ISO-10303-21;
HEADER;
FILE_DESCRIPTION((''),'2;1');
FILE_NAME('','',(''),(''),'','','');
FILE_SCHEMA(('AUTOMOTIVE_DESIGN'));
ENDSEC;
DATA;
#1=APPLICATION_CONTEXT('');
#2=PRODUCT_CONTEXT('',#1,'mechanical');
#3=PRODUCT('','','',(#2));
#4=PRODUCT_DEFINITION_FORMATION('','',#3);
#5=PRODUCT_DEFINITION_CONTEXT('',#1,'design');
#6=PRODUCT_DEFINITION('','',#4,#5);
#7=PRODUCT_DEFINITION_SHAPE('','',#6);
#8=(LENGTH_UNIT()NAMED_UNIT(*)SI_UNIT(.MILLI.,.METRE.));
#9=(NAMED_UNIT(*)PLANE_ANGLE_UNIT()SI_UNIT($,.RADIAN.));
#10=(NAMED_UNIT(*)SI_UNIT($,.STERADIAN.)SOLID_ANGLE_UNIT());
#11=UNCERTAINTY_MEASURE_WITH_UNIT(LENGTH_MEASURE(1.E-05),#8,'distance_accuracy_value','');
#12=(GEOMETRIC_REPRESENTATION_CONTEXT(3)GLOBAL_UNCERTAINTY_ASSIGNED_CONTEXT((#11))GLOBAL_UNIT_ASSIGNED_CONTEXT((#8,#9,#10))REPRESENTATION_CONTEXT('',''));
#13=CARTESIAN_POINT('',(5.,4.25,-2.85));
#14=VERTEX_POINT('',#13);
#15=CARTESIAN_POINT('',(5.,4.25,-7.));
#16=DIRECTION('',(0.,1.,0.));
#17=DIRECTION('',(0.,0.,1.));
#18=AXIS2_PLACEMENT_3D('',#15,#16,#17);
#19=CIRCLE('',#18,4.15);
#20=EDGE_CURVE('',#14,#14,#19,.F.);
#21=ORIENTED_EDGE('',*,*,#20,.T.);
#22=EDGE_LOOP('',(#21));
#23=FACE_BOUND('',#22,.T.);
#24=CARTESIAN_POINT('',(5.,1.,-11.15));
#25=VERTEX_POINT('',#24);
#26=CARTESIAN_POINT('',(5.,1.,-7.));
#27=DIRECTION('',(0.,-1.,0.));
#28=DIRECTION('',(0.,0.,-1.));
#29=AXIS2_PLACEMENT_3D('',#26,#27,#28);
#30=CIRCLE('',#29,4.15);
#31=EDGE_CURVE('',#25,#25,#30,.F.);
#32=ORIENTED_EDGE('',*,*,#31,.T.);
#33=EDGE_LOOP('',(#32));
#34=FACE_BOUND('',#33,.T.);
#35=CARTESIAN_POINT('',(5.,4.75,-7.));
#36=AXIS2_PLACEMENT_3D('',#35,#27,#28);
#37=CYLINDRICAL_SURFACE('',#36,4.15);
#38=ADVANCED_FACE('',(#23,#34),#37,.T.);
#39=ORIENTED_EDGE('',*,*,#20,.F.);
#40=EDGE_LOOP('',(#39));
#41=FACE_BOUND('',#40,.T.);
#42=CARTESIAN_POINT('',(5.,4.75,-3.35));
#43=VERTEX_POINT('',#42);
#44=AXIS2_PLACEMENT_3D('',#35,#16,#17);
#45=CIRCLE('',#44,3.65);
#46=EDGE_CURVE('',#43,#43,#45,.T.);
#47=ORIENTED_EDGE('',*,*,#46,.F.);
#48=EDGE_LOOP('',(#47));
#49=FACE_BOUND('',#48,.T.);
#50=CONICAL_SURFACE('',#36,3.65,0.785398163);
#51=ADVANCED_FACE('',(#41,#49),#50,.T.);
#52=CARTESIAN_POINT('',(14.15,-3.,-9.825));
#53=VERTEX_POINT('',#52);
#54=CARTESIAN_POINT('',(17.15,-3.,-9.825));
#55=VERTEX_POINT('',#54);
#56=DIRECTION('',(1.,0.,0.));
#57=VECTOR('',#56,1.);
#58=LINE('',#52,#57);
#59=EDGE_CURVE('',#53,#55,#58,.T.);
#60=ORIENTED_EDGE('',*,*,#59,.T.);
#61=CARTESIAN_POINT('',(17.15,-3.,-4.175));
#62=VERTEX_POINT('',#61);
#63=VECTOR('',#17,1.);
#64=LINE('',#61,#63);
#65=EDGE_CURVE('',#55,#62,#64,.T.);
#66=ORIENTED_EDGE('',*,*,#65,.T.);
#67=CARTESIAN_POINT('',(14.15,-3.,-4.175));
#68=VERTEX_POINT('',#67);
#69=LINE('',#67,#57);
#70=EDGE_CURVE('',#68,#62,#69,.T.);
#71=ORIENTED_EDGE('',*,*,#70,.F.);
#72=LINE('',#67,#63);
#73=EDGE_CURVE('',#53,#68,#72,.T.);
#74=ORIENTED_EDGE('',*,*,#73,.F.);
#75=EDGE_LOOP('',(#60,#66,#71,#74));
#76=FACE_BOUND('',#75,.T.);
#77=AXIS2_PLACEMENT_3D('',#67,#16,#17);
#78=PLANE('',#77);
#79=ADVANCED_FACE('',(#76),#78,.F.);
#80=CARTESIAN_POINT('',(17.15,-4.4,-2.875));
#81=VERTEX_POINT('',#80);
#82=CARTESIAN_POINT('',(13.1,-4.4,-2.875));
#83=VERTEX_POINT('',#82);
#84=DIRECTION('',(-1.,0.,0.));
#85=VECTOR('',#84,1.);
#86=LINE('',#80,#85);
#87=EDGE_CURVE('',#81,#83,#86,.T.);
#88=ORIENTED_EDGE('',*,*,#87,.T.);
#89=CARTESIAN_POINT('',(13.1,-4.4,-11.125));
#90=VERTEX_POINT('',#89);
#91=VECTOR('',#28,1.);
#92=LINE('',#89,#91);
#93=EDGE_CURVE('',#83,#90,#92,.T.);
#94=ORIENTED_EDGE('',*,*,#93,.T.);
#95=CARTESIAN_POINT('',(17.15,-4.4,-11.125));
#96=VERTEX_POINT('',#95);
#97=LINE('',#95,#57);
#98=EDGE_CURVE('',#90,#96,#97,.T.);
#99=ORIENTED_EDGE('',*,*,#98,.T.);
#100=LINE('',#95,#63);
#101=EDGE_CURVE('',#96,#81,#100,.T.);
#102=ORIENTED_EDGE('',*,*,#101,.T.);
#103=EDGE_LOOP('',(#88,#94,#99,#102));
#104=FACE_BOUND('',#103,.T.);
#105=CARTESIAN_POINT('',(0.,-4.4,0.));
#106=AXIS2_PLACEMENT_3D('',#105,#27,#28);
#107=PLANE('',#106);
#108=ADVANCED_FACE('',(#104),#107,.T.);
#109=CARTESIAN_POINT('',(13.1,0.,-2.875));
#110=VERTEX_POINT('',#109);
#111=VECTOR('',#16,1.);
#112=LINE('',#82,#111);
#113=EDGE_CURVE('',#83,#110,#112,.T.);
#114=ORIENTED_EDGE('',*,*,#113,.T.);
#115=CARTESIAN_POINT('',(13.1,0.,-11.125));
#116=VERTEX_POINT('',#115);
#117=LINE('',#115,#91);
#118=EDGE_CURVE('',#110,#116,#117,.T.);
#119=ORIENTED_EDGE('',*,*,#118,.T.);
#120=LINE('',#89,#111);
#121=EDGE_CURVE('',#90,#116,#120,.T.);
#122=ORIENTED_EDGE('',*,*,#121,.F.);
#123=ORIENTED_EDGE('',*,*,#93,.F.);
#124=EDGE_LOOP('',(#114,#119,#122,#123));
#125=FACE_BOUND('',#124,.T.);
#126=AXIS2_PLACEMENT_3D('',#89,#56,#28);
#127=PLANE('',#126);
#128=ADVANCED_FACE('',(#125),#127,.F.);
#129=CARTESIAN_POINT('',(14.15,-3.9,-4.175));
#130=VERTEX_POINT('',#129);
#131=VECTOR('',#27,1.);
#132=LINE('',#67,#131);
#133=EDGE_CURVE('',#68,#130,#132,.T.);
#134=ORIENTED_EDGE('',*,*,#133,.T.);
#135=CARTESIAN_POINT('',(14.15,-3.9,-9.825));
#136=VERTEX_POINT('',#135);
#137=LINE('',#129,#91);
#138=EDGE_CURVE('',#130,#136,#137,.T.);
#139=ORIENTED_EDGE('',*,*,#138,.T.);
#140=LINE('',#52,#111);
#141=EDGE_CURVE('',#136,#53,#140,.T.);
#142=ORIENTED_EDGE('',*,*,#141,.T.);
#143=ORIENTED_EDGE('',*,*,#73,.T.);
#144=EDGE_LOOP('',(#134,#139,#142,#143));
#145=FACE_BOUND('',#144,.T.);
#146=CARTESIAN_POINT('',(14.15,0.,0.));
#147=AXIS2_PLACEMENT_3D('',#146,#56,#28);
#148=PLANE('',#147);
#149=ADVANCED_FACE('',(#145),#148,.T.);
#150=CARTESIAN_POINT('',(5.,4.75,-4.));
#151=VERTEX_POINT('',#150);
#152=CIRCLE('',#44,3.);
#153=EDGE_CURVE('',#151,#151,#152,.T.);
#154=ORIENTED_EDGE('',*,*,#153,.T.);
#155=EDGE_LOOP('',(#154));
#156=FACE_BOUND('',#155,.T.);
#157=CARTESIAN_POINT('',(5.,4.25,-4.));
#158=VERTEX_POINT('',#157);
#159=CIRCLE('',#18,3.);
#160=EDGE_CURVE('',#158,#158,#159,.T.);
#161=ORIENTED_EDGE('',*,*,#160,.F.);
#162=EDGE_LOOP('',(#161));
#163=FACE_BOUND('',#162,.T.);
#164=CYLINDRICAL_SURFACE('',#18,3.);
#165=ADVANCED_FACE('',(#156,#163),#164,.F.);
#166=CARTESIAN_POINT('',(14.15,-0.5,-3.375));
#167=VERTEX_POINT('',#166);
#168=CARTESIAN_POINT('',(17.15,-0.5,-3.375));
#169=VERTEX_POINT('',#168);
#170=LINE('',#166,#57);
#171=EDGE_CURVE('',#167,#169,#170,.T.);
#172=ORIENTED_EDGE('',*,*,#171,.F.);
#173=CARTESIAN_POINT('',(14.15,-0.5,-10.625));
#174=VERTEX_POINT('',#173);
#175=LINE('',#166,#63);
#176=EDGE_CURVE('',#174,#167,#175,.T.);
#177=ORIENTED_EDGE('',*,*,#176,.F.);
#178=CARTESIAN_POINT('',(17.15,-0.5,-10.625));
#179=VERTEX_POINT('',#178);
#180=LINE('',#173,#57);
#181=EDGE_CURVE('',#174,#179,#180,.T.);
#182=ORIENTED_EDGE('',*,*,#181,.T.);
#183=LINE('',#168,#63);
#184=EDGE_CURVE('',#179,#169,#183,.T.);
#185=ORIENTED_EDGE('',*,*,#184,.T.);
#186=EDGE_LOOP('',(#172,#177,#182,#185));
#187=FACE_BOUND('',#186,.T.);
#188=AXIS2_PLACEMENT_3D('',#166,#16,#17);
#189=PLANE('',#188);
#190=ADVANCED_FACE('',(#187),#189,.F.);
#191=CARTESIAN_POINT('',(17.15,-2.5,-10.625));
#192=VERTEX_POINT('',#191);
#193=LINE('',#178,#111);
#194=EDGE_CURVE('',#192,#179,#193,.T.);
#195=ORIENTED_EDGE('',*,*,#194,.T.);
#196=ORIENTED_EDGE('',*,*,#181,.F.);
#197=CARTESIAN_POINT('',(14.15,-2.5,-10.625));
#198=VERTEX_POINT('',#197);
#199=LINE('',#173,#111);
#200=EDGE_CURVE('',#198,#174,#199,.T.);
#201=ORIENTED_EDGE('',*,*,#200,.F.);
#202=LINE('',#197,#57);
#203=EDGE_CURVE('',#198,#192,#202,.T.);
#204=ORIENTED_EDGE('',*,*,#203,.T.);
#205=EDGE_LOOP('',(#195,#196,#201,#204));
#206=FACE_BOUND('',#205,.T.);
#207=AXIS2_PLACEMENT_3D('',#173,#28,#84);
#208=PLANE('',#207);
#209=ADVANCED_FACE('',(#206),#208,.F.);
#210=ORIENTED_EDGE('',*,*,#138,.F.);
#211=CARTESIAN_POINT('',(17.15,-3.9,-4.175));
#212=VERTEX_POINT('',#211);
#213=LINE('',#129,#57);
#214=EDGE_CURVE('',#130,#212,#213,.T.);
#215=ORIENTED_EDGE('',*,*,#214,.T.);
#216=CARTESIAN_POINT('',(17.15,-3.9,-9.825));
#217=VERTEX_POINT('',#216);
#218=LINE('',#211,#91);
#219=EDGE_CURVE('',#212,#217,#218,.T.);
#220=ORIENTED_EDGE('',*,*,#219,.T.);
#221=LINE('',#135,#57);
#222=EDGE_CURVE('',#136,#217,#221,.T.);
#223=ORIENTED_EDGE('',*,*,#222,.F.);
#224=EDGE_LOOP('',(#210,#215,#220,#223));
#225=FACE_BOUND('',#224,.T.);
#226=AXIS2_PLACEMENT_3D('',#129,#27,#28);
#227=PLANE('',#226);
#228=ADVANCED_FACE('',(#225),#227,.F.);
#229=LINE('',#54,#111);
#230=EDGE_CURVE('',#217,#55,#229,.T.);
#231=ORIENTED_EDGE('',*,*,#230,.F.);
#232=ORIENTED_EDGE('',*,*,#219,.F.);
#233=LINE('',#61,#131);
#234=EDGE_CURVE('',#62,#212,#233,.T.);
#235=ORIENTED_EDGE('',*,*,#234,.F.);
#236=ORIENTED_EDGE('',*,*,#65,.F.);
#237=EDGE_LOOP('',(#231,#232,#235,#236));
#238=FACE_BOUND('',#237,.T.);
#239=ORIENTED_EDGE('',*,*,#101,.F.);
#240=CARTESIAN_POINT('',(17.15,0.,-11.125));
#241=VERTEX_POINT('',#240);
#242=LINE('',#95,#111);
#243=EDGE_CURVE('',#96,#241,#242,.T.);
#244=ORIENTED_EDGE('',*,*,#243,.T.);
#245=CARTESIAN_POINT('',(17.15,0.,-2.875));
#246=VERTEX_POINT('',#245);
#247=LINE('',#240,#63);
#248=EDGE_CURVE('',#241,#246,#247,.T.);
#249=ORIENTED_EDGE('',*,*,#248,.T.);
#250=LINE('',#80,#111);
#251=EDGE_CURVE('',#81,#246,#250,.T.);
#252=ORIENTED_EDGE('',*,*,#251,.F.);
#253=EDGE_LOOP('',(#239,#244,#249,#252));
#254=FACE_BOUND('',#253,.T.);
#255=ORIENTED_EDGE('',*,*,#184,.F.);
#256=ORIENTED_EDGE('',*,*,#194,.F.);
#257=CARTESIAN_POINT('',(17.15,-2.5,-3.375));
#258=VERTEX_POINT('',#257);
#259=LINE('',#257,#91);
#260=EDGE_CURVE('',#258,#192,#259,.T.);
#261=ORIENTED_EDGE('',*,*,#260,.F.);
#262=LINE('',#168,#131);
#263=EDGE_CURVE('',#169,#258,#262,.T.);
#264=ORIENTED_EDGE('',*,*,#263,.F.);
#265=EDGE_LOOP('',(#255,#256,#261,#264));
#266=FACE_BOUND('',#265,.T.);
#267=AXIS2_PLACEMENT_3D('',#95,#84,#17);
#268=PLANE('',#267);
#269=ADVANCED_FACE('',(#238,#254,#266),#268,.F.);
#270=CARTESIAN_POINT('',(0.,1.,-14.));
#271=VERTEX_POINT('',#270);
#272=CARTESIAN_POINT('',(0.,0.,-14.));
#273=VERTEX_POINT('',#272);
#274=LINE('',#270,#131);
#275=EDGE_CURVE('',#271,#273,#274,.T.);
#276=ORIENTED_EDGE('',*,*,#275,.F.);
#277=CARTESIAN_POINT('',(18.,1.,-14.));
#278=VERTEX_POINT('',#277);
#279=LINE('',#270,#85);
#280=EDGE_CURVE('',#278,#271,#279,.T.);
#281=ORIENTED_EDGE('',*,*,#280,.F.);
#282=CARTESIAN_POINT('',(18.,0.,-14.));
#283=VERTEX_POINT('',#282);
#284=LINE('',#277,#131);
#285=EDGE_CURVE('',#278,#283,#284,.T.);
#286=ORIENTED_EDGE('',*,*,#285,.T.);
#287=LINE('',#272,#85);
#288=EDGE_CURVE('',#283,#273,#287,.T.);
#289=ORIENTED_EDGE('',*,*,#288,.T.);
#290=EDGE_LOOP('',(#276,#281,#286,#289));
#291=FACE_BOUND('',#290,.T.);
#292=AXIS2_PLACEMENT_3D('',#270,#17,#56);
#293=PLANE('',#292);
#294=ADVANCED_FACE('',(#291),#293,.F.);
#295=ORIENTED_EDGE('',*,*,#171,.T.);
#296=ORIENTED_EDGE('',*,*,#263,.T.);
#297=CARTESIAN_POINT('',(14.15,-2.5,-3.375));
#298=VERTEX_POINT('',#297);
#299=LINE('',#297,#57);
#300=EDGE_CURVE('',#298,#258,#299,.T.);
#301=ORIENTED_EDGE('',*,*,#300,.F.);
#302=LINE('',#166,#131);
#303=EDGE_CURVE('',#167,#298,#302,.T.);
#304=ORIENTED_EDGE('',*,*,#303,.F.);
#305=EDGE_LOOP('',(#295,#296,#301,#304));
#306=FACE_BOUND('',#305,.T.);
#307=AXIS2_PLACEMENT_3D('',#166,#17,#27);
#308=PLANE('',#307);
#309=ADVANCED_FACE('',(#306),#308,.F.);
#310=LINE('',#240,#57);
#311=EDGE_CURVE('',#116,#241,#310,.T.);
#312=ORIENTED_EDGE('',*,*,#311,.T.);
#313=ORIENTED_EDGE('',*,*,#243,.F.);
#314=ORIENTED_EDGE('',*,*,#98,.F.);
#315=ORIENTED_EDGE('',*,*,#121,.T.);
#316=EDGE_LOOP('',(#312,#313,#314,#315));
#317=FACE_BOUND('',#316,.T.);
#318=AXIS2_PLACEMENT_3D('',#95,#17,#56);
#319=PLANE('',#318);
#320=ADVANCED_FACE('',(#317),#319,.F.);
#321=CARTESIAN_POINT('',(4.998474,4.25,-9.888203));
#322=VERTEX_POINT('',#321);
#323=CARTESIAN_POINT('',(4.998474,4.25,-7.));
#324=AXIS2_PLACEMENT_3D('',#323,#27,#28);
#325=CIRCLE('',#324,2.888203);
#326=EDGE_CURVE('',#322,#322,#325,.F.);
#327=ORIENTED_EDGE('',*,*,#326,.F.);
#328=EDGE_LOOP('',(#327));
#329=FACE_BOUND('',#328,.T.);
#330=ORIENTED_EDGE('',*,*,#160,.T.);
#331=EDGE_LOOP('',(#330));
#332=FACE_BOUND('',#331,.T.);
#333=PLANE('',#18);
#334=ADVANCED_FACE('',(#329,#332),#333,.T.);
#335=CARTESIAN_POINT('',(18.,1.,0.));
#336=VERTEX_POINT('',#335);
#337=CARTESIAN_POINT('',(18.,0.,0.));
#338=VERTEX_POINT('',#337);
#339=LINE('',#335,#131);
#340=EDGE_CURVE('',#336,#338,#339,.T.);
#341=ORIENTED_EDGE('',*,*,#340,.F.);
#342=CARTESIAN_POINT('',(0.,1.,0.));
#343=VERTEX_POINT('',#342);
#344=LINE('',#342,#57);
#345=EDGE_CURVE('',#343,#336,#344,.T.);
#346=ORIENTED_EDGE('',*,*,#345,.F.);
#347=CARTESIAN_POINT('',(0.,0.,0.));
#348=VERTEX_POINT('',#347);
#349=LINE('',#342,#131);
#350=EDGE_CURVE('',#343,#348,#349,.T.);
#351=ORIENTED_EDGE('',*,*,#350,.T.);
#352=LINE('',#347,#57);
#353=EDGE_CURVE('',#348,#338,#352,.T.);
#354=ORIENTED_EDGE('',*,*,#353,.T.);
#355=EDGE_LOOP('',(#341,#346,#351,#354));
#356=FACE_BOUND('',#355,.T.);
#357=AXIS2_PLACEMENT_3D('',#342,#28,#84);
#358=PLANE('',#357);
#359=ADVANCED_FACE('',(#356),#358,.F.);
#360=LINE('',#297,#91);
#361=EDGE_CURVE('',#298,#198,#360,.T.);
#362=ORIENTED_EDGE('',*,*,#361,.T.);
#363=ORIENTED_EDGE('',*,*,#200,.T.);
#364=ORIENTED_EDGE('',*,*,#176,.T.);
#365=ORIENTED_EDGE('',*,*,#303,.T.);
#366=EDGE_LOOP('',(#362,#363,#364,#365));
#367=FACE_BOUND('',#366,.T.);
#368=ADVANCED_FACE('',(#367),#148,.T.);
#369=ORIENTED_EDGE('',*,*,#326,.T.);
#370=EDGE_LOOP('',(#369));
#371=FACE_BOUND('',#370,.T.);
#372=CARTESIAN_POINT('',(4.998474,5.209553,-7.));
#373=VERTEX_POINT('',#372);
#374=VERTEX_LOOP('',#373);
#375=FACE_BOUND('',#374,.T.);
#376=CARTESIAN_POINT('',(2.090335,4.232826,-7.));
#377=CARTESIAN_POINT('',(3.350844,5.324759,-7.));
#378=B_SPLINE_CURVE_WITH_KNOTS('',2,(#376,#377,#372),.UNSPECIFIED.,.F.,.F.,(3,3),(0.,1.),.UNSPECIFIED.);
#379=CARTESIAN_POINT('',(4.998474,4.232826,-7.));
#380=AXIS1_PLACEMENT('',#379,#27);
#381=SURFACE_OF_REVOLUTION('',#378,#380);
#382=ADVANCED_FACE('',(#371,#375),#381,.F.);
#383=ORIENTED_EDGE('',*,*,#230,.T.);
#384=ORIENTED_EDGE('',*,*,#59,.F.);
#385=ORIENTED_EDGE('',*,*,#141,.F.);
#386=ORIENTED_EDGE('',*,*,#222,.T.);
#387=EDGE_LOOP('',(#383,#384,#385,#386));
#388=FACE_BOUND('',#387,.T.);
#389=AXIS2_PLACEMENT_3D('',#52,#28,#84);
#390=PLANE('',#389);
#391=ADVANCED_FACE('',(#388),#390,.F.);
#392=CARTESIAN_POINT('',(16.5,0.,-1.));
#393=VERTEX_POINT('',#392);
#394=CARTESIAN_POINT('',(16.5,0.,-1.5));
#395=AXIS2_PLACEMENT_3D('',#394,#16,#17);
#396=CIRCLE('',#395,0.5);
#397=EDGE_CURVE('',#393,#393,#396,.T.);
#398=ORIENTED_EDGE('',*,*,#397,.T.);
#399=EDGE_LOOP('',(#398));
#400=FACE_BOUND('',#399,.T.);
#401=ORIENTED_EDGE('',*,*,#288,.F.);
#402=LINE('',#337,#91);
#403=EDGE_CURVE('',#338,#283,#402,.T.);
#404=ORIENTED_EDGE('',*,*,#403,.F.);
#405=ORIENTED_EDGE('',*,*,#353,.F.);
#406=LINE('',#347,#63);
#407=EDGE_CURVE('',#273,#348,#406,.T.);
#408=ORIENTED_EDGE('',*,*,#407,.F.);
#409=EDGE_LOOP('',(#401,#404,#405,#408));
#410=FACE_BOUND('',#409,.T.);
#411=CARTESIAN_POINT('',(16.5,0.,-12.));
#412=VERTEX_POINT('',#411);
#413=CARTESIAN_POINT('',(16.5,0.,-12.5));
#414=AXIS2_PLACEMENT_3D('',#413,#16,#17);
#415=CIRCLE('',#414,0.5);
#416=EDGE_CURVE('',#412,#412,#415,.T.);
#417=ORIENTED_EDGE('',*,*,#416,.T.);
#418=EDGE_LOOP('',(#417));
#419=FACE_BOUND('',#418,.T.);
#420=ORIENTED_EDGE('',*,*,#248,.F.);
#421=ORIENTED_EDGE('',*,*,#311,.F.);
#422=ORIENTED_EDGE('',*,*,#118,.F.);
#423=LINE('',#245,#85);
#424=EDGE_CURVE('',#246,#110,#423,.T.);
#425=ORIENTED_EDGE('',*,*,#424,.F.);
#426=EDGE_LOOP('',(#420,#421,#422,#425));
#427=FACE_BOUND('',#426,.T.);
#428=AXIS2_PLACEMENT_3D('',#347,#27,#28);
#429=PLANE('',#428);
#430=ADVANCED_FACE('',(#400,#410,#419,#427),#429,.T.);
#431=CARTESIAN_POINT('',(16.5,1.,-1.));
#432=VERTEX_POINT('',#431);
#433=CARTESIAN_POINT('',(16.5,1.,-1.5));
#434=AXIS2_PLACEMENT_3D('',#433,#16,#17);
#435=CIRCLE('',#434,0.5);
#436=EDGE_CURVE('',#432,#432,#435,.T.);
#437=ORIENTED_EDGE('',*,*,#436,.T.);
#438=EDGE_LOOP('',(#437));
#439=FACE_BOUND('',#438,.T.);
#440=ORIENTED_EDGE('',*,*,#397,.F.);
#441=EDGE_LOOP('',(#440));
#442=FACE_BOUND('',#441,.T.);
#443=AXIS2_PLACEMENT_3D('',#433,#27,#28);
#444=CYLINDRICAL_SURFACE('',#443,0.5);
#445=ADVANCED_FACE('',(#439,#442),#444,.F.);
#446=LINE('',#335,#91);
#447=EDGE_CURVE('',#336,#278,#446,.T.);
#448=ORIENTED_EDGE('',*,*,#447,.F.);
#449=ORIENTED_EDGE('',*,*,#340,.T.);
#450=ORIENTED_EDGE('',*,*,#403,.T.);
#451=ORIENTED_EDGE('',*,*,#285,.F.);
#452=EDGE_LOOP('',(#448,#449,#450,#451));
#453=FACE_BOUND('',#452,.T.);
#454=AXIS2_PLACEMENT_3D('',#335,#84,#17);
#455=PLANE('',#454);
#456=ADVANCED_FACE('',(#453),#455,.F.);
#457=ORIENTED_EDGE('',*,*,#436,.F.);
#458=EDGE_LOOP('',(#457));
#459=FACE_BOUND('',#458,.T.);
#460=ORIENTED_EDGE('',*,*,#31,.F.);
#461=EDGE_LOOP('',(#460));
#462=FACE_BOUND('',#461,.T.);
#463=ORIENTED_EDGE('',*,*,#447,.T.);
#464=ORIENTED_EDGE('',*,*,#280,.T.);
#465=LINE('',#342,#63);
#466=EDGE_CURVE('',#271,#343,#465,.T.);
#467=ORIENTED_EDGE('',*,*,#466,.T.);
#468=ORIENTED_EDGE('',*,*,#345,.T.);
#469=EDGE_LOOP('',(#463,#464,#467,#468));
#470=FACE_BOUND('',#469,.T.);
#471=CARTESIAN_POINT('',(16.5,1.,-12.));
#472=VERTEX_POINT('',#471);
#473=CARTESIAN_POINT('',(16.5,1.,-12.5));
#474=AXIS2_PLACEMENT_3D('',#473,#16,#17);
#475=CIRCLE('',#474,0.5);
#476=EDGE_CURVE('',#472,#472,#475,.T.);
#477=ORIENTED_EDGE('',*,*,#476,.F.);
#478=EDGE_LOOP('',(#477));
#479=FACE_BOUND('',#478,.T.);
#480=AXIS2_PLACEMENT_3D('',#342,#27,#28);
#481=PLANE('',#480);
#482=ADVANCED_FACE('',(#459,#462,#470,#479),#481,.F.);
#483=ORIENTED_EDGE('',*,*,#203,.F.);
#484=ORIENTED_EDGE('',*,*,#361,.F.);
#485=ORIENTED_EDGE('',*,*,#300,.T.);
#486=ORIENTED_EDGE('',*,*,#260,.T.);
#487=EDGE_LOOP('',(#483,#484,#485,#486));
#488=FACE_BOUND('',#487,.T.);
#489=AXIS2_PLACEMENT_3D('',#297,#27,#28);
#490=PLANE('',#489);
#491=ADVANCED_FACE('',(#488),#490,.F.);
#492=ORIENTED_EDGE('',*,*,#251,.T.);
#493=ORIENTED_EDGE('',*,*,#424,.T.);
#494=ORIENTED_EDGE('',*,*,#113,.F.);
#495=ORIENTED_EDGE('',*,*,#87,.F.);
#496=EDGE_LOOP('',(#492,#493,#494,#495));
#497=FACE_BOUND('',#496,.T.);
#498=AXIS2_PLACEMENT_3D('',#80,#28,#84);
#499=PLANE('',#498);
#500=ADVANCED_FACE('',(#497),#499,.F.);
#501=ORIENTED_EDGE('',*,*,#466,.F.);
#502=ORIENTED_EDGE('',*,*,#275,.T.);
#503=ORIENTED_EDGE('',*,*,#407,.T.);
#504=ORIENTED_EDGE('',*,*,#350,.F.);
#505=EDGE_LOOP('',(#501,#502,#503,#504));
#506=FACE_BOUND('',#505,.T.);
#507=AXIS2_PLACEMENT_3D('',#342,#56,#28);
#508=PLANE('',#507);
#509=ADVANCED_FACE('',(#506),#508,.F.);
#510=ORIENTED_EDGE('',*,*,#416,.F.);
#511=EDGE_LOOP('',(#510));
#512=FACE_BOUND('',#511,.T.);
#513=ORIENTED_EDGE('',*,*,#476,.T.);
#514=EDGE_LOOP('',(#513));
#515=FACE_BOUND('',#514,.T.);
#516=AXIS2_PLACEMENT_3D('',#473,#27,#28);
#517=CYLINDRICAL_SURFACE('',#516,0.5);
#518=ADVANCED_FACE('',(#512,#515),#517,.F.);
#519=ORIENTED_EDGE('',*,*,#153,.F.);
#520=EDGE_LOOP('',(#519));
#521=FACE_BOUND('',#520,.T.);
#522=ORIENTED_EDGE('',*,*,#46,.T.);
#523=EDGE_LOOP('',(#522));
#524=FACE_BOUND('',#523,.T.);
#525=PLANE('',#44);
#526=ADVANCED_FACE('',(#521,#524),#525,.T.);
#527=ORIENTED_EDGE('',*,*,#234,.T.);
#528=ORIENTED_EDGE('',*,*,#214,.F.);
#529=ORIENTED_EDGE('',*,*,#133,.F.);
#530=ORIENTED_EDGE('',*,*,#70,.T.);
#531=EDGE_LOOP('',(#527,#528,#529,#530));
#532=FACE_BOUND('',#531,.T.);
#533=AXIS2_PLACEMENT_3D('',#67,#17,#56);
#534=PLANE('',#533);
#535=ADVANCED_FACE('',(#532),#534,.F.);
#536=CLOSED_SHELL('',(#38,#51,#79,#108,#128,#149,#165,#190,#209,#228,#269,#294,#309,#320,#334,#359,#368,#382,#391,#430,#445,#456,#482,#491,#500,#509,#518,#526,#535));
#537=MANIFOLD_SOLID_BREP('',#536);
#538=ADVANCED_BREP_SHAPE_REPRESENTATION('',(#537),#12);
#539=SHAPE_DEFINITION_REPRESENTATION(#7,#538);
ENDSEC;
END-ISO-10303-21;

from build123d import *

# Parameters (mm, degrees)
SKETCH1_W           = 18
SKETCH1_H           = 14
SKETCH1_R           = 0.5
BOSS_EXTRUDE1_DEPTH = 1
SKETCH2_R           = 4.15
BOSS_EXTRUDE2_DEPTH = 3.75
SKETCH3_W           = 4.05
SKETCH3_H           = 8.25
BOSS_EXTRUDE3_DEPTH = 4.4
SKETCH4_W           = 7.25
SKETCH4_H           = 2
SKETCH4_W_2         = 5.65
SKETCH4_H_2         = 0.9
CUT_EXTRUDE1_DEPTH  = 3
SKETCH5_R           = 3
CUT_EXTRUDE2_DEPTH  = 0.5
CHAMFER1_SIZE       = 0.5


with BuildPart() as part:
    # Sketch1 → Boss-Extrude1 (new body)
    with BuildSketch(Plane(origin=(0, 0, 0), x_dir=(1, 0, 0), z_dir=(0, 1, 0))):
        with Locations((9, 7)):
            Rectangle(SKETCH1_W, SKETCH1_H)
        with Locations(Location((16.5, 12.5, 0), (0, 0, 270))):
            Circle(SKETCH1_R, mode=Mode.SUBTRACT)
        with Locations(Location((16.5, 1.5, 0), (0, 0, 270))):
            Circle(SKETCH1_R, mode=Mode.SUBTRACT)
    extrude(amount=BOSS_EXTRUDE1_DEPTH)

    # Sketch2 → Boss-Extrude2 (add)
    with BuildSketch(Plane(origin=(0, 1, 0), x_dir=(1, 0, 0), z_dir=(0, 1, 0))):
        with Locations(Location((5, 7, 0), (0, 0, 90))):
            Circle(SKETCH2_R)
    extrude(amount=BOSS_EXTRUDE2_DEPTH)

    # Sketch3 → Boss-Extrude3 (add)
    with BuildSketch(Plane(origin=(0, 0, 0), x_dir=(-1, 0, 0), z_dir=(0, -1, 0))):
        with Locations((-15.125, 7)):
            Rectangle(SKETCH3_W, SKETCH3_H)
    extrude(amount=BOSS_EXTRUDE3_DEPTH)

    # Sketch4 → Cut-Extrude1 (cut)
    with BuildSketch(Plane(origin=(17.15, 0, 0), x_dir=(0, 0, -1), z_dir=(1, 0, 0))):
        with Locations((7, -1.5)):
            Rectangle(SKETCH4_W, SKETCH4_H)
        with Locations((7, -3.45)):
            Rectangle(SKETCH4_W_2, SKETCH4_H_2)
    extrude(amount=-CUT_EXTRUDE1_DEPTH, mode=Mode.SUBTRACT)

    # Sketch5 → Cut-Extrude2 (cut)
    with BuildSketch(Plane(origin=(0, 4.75, 0), x_dir=(1, 0, 0), z_dir=(0, 1, 0))):
        with Locations(Location((5, 7, 0), (0, 0, 270))):
            Circle(SKETCH5_R)
    extrude(amount=-CUT_EXTRUDE2_DEPTH, mode=Mode.SUBTRACT)

    # Chamfer1
    chamfer1_edges = [part.edges().sort_by_distance(p)[0] for p in [
        (5, 4.75, -2.85),
    ]]
    chamfer(chamfer1_edges, length=CHAMFER1_SIZE)

    # Sketch7 → Revolve2 (revolve)
    with BuildSketch(Plane.XY.offset(-7)):
        with BuildLine():
            add(Edge.make_bspline(
                [(2.090335023, 4.232825991), (3.350844408, 5.324759463), (4.998474219, 5.209553412)],
                knots=[0, 0, 0, 1, 1, 1], degree=2))
            Line((4.998474219, 5.209553412), (4.998474219, 4.232825991))
            Line((4.998474219, 4.232825991), (2.090335023, 4.232825991))
        make_face()
    revolve(axis=Axis((4.998474219, 4.232825991, -7), (0, 1, 0)))


solid = part.part
